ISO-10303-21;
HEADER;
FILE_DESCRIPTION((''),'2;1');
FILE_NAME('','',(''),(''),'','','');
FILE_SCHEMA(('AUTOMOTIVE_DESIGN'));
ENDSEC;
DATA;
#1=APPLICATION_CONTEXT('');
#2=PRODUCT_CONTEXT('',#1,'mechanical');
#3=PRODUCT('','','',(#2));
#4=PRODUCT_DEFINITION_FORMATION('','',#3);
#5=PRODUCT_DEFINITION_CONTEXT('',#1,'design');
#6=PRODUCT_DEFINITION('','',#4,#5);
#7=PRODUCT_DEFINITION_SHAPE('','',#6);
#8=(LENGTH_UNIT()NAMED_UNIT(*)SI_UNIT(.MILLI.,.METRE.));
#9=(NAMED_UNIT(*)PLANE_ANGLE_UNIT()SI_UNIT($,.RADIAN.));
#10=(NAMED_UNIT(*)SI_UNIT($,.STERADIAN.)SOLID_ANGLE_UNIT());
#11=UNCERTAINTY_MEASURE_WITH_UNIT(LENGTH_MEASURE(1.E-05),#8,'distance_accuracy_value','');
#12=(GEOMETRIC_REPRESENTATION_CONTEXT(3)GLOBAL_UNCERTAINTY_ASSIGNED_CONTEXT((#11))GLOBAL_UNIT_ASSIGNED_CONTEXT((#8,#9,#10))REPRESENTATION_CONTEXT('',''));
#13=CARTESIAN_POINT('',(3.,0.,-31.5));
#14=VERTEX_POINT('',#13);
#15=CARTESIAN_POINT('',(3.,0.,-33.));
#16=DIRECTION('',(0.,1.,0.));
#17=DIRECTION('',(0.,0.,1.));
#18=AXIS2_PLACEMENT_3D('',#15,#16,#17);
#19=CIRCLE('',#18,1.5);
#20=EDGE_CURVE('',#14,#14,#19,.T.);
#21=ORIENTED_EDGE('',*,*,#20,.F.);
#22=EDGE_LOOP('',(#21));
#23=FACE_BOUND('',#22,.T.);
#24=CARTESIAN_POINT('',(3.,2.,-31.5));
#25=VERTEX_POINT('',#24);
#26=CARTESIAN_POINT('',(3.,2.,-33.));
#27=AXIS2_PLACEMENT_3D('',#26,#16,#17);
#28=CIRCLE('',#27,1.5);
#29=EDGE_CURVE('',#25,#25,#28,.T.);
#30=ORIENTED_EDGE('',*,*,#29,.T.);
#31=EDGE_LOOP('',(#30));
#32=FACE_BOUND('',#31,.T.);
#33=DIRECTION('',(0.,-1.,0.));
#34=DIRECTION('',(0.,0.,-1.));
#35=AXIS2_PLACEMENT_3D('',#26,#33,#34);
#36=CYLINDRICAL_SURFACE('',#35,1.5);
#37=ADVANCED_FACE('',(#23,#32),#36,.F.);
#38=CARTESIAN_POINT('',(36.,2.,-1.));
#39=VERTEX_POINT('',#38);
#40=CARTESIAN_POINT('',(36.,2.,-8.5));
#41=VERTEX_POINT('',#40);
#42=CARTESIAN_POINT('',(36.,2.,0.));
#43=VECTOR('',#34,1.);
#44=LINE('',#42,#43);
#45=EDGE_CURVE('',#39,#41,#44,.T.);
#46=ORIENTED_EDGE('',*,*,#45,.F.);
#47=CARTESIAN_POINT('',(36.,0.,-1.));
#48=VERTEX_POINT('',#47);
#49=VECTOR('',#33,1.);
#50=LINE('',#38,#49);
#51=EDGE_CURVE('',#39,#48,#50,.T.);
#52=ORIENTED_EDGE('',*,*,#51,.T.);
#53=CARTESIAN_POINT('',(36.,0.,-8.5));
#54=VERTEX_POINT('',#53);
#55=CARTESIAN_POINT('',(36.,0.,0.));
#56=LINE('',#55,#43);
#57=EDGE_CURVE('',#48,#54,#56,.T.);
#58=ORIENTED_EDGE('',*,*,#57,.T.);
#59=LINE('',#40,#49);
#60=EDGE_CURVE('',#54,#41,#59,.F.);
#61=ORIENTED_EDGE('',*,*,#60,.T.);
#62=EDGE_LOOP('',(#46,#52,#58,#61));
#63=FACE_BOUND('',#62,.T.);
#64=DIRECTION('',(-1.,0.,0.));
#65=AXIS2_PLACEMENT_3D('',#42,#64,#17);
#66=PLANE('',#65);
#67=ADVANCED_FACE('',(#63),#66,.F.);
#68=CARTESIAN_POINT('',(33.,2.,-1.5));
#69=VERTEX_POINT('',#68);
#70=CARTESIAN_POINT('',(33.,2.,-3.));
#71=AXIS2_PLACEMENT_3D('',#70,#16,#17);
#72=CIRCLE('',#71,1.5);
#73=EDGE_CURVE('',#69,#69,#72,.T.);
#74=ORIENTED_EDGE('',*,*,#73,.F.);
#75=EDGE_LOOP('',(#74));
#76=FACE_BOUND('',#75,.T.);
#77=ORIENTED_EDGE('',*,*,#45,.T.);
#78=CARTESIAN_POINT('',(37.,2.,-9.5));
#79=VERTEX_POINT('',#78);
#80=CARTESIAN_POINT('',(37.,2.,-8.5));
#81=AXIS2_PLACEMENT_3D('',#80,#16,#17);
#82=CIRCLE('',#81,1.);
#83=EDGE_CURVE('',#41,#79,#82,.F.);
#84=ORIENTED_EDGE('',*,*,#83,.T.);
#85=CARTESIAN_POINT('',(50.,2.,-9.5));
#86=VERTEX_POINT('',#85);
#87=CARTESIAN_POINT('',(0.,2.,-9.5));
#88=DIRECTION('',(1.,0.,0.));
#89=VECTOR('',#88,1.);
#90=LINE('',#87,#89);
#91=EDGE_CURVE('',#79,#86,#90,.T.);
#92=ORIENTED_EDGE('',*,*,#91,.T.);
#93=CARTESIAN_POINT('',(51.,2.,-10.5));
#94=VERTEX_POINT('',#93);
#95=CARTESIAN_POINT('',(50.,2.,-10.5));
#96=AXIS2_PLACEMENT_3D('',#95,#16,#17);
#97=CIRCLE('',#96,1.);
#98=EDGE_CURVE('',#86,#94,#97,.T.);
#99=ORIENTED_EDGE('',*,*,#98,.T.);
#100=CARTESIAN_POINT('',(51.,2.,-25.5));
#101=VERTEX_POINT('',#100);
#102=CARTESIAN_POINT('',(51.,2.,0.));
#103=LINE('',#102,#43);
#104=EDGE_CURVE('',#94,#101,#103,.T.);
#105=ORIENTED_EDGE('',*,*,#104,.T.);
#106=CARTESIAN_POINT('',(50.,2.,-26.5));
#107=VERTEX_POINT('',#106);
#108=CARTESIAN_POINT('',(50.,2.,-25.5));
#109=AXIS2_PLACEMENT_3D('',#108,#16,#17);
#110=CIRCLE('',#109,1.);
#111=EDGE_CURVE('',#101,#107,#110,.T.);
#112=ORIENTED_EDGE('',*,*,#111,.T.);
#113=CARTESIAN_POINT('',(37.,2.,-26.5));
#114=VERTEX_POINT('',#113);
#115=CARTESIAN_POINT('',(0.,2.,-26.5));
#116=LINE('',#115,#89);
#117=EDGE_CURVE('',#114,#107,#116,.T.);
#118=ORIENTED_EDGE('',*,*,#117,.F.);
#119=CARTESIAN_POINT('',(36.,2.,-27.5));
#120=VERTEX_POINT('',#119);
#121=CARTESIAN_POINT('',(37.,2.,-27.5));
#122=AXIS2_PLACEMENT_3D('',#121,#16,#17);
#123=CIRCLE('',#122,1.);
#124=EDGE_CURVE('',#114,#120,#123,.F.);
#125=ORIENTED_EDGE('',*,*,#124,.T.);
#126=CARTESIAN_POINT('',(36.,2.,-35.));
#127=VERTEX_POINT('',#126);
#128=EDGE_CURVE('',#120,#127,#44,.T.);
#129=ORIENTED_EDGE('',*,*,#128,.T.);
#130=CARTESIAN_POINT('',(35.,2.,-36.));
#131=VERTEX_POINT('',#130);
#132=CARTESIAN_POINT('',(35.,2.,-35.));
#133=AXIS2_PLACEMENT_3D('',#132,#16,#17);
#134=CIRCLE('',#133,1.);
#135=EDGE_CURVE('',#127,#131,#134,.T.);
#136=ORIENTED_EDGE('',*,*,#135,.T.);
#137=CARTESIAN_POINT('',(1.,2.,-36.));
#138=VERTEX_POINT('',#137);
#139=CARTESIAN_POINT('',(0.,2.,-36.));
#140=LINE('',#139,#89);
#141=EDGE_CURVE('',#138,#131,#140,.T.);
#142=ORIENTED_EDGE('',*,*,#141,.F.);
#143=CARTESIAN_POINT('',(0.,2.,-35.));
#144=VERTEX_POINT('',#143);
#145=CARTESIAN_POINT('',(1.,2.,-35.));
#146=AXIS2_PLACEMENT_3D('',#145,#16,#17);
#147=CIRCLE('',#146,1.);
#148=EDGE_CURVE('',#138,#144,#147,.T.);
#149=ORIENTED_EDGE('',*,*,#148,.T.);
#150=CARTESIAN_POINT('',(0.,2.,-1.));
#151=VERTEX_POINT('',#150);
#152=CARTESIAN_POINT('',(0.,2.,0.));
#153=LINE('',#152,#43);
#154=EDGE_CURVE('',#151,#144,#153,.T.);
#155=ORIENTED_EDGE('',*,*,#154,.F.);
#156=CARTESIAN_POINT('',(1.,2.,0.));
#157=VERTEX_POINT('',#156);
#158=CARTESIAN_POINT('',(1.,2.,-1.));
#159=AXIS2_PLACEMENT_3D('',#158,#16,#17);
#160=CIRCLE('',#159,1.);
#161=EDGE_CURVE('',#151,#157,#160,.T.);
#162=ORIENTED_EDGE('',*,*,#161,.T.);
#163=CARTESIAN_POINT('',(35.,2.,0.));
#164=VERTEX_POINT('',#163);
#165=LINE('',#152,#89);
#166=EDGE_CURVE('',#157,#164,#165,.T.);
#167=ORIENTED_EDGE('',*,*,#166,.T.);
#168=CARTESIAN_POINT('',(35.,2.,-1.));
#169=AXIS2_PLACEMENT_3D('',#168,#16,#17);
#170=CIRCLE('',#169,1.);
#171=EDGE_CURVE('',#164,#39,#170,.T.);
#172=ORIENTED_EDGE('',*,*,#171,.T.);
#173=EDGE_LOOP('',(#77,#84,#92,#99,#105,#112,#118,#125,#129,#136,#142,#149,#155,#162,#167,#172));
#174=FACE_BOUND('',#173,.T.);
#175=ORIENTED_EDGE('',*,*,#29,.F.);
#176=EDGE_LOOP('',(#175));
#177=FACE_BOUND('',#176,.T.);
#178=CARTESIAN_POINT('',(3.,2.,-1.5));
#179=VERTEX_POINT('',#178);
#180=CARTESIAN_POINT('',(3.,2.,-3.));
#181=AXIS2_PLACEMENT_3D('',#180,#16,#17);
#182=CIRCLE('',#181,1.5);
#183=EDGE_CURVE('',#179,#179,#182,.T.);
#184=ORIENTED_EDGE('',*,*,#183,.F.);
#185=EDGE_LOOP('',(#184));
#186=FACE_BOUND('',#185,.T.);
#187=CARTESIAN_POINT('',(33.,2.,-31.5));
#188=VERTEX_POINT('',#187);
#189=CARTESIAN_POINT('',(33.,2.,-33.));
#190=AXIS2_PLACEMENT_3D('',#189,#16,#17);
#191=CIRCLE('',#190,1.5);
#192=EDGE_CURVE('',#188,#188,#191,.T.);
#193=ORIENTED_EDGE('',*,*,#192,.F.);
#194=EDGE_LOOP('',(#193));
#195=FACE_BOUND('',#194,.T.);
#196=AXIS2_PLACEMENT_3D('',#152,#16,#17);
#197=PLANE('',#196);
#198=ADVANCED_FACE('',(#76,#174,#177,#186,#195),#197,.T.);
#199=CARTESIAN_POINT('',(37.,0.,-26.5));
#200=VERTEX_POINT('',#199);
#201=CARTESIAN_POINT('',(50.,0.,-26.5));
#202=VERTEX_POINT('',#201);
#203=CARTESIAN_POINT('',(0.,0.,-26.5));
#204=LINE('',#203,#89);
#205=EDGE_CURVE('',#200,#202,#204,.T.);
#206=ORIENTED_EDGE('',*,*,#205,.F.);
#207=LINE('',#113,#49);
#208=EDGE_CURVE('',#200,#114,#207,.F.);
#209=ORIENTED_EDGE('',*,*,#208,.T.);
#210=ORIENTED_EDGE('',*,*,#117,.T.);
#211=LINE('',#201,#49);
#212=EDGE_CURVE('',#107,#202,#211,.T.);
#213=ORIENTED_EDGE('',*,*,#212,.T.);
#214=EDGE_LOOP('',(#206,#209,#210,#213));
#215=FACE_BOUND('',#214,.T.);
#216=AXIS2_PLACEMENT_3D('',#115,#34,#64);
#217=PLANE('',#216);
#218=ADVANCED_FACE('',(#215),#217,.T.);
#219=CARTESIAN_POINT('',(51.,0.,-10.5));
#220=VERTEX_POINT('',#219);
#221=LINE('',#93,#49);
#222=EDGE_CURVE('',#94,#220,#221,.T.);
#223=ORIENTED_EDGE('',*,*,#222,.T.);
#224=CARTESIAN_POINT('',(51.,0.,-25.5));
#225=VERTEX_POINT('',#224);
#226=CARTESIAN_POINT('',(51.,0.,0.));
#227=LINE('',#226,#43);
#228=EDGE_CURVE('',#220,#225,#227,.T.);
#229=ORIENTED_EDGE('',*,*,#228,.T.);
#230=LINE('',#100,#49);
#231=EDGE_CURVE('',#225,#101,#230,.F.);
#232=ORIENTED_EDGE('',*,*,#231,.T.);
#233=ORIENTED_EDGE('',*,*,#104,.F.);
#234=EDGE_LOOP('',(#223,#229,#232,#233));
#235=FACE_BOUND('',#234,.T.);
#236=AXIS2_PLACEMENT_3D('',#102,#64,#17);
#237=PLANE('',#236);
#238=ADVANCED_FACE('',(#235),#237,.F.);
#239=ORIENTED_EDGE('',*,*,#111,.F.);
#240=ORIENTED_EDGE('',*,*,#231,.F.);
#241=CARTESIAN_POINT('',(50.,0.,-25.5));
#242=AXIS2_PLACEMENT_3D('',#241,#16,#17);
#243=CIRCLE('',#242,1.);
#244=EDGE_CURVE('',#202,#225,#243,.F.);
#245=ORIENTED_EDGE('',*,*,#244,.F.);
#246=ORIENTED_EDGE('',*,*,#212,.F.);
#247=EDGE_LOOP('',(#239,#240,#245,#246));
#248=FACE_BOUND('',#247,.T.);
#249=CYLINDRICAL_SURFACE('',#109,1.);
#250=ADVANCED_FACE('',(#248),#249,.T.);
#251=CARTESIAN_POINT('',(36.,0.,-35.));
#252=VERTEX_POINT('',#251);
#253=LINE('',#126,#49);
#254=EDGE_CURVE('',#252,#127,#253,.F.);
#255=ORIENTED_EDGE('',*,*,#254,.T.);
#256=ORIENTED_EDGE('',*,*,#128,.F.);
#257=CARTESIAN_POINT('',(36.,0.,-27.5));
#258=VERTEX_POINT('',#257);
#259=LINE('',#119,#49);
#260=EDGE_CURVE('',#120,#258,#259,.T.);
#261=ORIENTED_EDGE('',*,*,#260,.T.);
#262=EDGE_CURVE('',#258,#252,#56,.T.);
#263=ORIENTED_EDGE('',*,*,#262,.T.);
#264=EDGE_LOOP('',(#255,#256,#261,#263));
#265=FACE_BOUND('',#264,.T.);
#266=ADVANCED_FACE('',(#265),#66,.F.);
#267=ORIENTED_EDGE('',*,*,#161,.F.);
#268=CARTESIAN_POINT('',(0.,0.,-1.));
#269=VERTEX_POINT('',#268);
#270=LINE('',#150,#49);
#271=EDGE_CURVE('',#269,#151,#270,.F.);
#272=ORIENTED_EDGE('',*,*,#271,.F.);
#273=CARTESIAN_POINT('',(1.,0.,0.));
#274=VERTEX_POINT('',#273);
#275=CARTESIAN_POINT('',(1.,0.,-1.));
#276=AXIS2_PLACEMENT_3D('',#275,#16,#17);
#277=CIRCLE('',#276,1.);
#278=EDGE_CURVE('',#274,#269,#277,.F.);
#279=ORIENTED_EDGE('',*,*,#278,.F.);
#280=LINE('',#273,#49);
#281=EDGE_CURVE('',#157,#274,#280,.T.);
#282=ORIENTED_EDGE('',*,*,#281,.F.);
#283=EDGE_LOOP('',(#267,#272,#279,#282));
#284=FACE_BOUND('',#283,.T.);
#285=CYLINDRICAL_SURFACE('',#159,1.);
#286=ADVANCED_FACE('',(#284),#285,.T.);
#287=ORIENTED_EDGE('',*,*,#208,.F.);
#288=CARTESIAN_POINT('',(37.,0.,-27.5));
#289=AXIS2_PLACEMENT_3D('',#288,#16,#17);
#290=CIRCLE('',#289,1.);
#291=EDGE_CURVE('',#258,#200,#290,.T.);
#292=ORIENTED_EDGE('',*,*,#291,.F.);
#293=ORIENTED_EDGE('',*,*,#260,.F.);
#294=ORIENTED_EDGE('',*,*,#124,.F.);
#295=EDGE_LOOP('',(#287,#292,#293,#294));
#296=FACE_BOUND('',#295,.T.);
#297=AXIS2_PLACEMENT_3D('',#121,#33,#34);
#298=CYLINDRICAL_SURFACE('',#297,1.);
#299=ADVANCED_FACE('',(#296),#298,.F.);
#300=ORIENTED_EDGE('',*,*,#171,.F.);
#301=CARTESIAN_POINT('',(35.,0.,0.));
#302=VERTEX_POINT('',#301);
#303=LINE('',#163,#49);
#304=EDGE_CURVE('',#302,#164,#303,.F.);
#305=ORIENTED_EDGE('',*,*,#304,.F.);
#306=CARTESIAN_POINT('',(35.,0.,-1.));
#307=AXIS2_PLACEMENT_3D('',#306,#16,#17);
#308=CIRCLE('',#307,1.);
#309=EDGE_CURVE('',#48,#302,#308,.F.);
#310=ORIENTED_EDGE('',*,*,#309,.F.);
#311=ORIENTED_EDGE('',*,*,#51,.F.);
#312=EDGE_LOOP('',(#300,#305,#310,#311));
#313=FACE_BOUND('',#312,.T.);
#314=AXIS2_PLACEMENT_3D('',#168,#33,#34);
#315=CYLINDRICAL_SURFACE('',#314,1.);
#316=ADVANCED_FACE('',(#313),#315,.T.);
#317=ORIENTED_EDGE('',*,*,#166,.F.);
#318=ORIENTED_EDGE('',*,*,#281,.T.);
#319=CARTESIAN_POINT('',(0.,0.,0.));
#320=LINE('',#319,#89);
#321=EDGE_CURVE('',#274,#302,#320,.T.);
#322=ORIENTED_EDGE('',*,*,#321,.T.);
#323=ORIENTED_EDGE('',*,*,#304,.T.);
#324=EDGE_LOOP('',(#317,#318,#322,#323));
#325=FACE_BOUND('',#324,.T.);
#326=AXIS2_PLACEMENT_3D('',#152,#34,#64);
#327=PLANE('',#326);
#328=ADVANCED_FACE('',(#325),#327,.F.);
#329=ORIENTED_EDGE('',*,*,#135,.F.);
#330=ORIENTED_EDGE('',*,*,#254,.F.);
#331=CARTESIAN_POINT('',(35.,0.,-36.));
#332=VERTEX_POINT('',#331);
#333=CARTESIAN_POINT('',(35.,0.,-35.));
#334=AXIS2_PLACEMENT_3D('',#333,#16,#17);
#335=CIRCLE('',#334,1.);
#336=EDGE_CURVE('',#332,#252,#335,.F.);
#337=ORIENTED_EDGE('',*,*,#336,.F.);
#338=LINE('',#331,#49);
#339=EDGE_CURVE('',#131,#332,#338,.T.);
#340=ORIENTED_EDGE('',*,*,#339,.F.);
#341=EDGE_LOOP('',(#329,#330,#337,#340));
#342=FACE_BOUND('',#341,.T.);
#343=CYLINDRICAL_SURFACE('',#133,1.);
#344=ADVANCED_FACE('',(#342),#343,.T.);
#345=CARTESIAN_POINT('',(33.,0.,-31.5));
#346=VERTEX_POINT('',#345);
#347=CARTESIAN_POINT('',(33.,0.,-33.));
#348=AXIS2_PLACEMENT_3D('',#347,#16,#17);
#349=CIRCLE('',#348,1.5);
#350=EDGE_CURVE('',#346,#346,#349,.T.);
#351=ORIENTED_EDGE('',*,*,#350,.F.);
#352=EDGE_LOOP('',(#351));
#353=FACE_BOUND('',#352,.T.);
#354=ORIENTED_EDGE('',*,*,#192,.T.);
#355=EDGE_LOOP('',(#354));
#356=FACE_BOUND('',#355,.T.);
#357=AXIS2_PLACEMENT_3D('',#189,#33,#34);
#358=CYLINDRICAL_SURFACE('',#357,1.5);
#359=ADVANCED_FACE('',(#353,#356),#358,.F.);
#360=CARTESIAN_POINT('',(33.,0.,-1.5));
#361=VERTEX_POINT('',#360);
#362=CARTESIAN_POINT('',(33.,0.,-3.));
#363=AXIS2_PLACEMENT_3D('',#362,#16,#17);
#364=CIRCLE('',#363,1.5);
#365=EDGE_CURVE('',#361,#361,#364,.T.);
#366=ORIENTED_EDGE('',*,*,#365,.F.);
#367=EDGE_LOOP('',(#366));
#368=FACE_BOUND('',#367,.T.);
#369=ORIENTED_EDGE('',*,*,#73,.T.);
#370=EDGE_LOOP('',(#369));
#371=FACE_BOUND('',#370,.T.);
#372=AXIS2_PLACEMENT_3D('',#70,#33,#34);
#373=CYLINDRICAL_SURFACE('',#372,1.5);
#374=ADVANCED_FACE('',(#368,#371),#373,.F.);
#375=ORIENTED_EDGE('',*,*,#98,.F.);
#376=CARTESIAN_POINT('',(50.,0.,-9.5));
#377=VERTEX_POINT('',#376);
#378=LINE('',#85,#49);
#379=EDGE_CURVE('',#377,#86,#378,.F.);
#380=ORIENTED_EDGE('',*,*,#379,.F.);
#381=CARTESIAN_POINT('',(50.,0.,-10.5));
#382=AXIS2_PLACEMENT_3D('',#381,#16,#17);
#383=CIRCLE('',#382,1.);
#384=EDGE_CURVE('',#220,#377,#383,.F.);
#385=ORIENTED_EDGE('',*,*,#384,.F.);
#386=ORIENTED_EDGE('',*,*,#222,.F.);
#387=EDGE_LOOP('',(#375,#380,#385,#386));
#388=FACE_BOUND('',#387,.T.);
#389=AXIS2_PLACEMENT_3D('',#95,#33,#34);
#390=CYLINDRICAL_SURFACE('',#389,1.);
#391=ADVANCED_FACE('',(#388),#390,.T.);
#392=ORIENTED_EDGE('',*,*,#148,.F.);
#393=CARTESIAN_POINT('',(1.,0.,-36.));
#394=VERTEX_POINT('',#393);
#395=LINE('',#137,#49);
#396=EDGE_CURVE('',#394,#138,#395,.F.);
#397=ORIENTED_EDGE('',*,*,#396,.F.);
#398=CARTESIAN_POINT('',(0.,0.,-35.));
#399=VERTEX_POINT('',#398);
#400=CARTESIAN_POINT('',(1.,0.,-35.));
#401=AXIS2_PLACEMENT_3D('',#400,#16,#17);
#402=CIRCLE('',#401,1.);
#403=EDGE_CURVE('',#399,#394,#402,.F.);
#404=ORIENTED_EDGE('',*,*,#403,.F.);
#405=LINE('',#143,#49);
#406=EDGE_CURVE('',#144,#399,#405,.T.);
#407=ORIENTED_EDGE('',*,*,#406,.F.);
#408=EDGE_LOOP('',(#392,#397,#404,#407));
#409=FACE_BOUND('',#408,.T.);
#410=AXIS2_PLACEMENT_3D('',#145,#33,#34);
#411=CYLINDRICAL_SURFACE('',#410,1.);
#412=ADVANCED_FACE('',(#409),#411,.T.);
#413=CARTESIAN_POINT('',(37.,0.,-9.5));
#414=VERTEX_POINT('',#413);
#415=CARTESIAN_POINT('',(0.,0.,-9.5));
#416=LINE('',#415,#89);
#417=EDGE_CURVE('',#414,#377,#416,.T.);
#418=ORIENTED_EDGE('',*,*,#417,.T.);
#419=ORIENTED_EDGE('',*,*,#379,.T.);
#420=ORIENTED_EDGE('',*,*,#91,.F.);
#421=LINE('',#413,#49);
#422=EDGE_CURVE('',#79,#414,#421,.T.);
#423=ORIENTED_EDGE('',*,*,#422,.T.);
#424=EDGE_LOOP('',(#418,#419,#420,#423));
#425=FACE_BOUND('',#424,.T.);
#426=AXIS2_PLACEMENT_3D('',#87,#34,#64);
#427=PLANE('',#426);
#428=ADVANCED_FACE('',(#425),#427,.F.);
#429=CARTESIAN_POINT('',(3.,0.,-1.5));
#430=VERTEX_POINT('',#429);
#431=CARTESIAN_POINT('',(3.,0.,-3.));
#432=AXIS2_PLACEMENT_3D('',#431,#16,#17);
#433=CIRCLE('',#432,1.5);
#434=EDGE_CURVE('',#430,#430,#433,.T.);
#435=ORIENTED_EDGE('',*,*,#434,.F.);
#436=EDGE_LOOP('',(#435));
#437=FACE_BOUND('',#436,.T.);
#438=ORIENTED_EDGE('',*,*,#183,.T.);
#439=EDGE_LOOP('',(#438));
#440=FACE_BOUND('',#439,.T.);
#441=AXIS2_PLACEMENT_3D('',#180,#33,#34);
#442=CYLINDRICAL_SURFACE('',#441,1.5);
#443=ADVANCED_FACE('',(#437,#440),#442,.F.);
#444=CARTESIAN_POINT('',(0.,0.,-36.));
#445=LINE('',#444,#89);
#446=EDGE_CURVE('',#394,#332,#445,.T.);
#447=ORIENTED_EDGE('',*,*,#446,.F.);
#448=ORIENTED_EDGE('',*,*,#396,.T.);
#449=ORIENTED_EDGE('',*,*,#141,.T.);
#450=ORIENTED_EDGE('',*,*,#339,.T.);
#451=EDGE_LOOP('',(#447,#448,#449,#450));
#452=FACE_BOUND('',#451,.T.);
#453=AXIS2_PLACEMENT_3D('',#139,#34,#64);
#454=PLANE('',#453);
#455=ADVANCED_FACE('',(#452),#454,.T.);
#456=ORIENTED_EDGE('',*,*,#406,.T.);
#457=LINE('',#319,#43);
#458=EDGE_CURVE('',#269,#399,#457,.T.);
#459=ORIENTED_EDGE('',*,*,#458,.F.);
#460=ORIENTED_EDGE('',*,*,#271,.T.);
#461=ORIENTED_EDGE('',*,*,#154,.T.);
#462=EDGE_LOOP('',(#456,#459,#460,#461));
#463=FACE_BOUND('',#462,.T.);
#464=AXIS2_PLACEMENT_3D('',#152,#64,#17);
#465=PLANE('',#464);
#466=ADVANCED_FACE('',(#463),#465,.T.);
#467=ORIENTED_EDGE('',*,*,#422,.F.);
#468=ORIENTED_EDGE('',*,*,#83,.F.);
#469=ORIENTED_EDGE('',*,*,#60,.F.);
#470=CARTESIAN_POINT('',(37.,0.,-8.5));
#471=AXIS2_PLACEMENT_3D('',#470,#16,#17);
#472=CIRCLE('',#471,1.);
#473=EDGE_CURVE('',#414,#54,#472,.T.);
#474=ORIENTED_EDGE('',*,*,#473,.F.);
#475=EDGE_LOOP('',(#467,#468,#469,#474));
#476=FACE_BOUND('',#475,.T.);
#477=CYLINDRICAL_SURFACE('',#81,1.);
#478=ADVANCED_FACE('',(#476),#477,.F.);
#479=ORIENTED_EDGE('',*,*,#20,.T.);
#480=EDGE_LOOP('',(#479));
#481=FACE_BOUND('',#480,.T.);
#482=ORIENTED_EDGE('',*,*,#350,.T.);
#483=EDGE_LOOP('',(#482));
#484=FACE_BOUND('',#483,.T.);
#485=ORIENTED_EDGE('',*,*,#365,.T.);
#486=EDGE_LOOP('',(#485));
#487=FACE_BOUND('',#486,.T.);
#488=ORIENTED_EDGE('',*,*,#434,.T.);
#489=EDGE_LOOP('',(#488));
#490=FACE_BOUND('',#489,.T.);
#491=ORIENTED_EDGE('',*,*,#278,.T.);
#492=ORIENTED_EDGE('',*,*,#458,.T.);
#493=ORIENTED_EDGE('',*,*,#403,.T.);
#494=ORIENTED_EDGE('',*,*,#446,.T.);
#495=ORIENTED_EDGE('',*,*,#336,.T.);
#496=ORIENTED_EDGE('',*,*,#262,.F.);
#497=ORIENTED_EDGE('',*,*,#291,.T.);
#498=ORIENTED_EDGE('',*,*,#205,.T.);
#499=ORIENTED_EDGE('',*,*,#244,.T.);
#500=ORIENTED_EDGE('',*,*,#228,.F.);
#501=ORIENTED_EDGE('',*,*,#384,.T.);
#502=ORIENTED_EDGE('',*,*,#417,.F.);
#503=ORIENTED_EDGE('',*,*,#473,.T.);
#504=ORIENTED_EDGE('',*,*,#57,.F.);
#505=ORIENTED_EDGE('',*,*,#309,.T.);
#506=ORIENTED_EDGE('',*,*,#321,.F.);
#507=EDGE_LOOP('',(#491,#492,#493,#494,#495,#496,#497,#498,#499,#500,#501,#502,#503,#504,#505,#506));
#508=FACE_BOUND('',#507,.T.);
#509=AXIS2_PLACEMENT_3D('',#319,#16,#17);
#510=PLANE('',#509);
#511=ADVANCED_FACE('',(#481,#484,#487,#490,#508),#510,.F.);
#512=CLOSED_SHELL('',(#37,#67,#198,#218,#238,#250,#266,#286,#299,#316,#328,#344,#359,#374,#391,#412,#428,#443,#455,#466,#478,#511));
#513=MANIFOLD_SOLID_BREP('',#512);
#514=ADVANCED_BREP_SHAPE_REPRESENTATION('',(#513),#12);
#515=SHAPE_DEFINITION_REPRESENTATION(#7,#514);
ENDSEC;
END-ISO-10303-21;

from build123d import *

# Parameters (mm, degrees)
SKETCH1_W           = 36
SKETCH1_H           = 36
SKETCH1_R           = 1.5
SKETCH1_W_2         = 15
SKETCH1_H_2         = 17
BOSS_EXTRUDE1_DEPTH = 2
FILLET1_R           = 1


with BuildPart() as part:
    # Sketch1 → Boss-Extrude1 (new body)
    # profile 1 of 2: a face of its own
    with BuildSketch(Plane(origin=(0, 0, 0), x_dir=(1, 0, 0), z_dir=(0, 1, 0))):
        with Locations((18, 18)):
            Rectangle(SKETCH1_W, SKETCH1_H)
        with Locations(Location((33, 3, 0), (0, 0, 270))):
            Circle(SKETCH1_R, mode=Mode.SUBTRACT)
        with Locations(Location((3, 3, 0), (0, 0, 270))):
            Circle(SKETCH1_R, mode=Mode.SUBTRACT)
        with Locations(Location((33, 33, 0), (0, 0, 270))):
            Circle(SKETCH1_R, mode=Mode.SUBTRACT)
        with Locations(Location((3, 33, 0), (0, 0, 270))):
            Circle(SKETCH1_R, mode=Mode.SUBTRACT)
    # profile 2 of 2: a face of its own
    with BuildSketch(Plane(origin=(0, 0, 0), x_dir=(1, 0, 0), z_dir=(0, 1, 0))):
        with Locations((43.5, 18)):
            Rectangle(SKETCH1_W_2, SKETCH1_H_2)
    extrude(amount=BOSS_EXTRUDE1_DEPTH)

    # Fillet1
    fillet1_edges = [part.edges().sort_by_distance(p)[0] for p in [
        (0, 1, 0),
        (0, 1, -36),
        (36, 1, -36),
        (36, 1, -26.5),
        (51, 1, -26.5),
        (51, 1, -9.5),
        (36, 1, -9.5),
        (36, 1, 0),
    ]]
    fillet(fillet1_edges, radius=FILLET1_R)


solid = part.part
